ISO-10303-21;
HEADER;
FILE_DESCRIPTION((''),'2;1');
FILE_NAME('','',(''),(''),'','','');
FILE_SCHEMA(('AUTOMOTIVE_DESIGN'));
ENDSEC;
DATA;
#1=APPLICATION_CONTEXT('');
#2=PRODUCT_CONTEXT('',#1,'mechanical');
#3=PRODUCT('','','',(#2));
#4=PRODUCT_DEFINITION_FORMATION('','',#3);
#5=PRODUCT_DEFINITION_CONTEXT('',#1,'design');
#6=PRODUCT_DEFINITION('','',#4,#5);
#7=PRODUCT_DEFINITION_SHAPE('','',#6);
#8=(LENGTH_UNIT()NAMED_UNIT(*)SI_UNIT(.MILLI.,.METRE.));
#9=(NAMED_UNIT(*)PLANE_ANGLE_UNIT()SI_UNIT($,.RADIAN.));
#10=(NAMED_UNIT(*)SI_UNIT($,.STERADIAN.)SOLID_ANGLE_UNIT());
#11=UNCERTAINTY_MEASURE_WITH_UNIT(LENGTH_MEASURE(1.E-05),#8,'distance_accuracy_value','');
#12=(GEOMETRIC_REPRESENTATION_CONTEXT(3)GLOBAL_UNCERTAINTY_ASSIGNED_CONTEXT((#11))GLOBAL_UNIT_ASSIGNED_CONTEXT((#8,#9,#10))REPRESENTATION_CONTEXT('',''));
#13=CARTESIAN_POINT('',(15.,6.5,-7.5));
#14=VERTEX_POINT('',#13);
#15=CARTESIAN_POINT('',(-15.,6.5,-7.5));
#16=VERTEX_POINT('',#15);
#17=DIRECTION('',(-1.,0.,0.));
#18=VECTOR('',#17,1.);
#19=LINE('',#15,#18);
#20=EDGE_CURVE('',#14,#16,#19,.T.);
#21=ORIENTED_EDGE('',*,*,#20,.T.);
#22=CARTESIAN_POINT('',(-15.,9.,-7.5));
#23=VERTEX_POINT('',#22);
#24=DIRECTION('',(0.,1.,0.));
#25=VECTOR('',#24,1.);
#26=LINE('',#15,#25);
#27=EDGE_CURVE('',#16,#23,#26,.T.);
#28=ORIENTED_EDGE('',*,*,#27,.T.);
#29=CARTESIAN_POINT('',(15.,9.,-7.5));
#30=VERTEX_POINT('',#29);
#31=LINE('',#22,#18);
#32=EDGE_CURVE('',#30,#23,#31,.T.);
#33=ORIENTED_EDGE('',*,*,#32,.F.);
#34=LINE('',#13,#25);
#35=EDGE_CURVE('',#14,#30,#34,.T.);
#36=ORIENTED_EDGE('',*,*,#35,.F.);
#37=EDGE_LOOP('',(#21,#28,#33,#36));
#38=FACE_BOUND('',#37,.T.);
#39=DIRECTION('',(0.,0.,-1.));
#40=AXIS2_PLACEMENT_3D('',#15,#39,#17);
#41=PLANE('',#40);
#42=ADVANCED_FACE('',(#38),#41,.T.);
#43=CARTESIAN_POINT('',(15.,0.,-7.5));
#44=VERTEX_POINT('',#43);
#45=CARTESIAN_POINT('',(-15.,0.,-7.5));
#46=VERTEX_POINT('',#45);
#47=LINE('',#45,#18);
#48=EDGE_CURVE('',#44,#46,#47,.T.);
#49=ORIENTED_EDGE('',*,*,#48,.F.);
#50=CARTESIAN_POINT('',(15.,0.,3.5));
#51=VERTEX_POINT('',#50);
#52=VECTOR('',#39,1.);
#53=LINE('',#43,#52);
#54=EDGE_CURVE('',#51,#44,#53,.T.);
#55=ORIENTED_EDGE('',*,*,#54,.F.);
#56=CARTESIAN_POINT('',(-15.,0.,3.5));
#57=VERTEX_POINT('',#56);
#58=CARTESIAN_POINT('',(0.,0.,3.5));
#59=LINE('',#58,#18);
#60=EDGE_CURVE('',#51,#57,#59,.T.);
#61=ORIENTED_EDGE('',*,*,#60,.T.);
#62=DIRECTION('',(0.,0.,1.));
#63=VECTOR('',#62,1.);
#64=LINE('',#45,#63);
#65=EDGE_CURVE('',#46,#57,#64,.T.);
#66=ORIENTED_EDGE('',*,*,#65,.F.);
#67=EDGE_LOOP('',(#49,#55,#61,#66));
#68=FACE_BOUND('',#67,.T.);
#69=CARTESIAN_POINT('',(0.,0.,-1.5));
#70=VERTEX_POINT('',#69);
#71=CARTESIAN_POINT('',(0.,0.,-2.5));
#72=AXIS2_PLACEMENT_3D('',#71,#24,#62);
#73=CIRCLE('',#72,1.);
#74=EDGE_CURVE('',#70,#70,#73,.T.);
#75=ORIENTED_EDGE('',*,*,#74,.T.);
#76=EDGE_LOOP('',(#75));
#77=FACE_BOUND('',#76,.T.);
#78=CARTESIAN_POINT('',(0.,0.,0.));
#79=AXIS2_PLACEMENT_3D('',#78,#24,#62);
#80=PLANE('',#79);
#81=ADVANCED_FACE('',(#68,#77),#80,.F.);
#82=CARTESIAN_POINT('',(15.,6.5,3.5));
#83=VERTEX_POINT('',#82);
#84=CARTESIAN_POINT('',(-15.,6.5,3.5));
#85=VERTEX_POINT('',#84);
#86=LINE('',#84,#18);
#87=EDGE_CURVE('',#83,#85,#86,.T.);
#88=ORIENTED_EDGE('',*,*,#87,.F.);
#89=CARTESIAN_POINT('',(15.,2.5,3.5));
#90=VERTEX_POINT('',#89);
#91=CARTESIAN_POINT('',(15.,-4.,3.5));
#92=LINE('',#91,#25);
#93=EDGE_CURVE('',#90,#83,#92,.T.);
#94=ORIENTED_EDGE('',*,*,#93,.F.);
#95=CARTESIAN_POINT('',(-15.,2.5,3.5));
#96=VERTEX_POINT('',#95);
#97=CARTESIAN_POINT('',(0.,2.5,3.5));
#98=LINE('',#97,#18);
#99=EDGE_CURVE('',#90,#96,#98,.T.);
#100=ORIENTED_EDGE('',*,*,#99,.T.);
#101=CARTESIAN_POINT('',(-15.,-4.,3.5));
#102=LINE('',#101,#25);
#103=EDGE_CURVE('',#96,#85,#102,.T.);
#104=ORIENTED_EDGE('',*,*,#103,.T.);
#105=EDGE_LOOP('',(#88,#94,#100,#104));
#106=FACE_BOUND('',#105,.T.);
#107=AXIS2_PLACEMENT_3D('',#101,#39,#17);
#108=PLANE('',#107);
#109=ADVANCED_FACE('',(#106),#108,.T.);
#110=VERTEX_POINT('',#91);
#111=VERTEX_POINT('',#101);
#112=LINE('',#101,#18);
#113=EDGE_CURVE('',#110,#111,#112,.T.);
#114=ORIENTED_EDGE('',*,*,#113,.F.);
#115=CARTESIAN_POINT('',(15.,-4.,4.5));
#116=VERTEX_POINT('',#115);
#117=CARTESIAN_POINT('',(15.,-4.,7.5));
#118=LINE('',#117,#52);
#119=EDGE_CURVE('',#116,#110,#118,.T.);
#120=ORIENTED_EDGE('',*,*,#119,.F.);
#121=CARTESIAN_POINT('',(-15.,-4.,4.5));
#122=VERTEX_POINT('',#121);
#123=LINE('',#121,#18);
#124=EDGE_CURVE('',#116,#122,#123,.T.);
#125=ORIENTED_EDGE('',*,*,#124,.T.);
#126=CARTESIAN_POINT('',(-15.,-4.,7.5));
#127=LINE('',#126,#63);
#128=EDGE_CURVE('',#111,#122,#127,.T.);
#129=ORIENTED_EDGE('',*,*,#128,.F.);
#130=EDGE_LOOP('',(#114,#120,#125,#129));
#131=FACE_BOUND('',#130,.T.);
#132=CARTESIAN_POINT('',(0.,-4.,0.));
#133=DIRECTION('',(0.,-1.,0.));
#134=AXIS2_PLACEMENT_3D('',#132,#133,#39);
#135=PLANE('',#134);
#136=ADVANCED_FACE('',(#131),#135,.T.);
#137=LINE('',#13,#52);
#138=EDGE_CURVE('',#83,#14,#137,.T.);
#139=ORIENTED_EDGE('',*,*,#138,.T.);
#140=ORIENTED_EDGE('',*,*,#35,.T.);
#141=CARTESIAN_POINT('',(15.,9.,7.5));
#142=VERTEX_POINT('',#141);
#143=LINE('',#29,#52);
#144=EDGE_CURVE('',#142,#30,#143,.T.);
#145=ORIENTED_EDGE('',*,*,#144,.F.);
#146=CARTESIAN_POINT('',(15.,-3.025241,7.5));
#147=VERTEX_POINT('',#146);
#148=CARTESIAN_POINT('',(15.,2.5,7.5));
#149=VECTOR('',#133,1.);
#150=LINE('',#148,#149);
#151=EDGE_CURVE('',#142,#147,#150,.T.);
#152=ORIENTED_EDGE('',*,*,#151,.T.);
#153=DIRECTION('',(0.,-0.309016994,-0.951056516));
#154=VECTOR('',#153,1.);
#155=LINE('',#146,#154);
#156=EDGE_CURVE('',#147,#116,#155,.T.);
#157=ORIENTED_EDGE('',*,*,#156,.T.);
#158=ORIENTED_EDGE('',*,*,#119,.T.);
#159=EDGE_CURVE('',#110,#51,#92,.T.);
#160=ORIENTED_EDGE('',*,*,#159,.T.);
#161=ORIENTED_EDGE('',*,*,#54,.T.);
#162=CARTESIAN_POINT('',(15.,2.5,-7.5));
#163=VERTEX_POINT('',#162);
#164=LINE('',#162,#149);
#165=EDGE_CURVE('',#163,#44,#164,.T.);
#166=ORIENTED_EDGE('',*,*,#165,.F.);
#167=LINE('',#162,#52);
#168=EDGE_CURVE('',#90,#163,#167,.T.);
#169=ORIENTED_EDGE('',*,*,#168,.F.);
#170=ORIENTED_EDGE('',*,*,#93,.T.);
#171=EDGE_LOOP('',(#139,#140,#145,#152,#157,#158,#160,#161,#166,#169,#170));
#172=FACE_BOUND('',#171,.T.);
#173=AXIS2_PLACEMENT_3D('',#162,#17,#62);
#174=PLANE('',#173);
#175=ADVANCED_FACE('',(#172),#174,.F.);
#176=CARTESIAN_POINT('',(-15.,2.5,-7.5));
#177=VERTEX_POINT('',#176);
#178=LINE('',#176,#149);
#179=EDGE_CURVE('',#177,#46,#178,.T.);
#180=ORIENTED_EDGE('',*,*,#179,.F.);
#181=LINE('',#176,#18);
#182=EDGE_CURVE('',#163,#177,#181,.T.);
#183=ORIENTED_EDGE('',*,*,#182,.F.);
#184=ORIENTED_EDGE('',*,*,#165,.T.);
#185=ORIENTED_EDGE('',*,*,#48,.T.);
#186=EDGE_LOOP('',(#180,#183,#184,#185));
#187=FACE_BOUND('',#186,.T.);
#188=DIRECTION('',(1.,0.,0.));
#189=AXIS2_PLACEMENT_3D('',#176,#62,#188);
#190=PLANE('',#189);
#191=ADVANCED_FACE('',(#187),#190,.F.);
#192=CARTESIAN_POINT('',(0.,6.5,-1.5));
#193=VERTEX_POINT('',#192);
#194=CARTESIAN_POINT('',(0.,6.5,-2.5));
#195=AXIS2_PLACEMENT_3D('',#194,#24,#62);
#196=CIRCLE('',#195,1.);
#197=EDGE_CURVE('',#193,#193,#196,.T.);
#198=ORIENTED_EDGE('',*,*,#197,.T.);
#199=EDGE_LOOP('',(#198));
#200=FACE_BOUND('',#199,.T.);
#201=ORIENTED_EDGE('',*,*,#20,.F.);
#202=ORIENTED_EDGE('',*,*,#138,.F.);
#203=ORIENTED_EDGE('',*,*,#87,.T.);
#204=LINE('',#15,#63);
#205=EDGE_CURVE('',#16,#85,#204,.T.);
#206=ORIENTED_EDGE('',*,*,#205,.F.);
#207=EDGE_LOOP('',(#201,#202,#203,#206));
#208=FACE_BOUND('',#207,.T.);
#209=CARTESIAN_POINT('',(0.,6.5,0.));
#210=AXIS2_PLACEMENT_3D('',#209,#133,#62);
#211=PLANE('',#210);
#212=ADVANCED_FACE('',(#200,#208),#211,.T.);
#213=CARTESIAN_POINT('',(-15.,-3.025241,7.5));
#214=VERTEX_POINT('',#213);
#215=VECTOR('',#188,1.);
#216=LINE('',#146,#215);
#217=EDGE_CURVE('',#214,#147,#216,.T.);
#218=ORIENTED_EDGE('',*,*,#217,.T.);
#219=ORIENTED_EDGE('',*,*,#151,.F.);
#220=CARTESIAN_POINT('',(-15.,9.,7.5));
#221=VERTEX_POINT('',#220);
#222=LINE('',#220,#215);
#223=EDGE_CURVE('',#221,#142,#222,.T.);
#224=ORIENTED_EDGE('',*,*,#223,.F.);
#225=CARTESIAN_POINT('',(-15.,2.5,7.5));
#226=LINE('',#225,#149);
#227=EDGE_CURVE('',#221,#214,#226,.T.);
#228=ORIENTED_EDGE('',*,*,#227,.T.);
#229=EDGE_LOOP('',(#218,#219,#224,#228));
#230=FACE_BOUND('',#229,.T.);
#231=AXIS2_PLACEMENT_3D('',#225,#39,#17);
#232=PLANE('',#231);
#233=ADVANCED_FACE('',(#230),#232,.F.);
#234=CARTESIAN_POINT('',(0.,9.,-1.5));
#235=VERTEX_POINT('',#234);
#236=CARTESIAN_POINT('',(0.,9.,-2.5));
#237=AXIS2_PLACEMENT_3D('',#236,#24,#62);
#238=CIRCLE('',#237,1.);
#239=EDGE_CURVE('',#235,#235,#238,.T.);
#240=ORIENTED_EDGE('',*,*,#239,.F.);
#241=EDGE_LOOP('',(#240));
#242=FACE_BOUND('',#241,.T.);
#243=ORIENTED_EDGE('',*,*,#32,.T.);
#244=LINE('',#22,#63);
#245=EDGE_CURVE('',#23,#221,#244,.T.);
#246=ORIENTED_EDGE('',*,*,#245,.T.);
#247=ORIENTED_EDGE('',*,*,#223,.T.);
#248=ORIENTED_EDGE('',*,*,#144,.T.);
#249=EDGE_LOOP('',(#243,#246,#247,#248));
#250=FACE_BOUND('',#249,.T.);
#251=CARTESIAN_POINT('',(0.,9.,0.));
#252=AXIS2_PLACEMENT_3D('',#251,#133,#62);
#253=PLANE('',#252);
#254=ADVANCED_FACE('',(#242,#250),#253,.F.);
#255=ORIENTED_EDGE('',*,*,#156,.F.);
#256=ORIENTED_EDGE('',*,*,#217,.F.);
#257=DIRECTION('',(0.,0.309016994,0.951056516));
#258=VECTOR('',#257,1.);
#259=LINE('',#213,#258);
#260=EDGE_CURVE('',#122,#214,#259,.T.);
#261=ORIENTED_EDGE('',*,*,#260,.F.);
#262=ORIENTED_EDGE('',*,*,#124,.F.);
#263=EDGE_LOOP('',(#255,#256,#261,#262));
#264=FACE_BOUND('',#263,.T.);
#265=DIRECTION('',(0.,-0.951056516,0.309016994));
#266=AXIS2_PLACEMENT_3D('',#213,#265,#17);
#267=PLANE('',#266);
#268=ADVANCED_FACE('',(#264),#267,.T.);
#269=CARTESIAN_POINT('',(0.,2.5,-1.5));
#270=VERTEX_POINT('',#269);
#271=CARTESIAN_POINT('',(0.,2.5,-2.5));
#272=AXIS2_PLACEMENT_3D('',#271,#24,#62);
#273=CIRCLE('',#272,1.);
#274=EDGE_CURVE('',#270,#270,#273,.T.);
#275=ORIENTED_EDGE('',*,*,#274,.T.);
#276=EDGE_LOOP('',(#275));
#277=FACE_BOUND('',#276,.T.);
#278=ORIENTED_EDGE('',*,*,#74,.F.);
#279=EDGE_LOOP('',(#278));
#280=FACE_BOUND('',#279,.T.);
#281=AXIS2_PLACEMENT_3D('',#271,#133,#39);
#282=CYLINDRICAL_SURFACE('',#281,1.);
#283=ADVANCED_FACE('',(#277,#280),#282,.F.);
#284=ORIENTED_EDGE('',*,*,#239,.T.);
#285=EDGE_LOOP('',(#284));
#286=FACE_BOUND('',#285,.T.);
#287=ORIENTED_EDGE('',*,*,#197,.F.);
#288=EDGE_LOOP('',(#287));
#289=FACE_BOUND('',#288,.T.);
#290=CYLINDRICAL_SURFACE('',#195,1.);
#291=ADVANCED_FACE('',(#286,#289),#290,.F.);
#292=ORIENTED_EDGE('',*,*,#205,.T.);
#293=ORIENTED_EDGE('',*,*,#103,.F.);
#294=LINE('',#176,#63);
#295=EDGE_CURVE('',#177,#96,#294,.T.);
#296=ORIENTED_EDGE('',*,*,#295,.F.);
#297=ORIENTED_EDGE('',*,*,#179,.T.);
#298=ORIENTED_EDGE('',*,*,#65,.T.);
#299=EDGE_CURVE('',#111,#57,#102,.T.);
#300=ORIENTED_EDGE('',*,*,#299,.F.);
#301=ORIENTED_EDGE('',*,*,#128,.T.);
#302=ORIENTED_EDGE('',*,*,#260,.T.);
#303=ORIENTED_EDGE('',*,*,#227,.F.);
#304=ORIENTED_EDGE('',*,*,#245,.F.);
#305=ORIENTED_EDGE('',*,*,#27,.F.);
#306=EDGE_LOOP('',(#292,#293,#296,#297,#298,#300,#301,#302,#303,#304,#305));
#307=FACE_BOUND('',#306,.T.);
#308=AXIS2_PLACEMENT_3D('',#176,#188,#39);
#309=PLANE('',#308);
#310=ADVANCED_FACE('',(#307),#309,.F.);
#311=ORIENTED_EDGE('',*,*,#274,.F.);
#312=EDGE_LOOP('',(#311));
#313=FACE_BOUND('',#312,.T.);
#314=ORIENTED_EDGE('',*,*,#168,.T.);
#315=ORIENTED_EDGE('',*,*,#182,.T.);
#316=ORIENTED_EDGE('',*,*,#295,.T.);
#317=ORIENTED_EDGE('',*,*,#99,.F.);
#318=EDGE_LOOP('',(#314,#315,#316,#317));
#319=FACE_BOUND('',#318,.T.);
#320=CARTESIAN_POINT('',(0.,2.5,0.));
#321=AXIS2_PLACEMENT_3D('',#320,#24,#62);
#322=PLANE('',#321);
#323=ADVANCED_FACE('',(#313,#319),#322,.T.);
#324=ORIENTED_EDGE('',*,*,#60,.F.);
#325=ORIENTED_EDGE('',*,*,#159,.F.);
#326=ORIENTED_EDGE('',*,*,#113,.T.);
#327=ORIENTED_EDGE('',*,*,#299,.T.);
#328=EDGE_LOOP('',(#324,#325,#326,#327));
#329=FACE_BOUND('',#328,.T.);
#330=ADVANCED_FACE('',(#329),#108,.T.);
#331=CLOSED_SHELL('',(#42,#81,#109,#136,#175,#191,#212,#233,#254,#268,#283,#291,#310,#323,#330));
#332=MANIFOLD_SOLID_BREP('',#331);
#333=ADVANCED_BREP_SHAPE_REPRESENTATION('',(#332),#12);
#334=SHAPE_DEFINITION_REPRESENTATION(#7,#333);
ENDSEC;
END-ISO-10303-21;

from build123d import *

# Parameters (mm, degrees)
SZKIC2_W                         = 30
SZKIC2_H                         = 15
SZKIC2_R                         = 1
DODANIE_WYCI_GNI_CIE1_DEPTH      = 2.5
DODANIE_WYCI_GNI_CIE2_DEPTH      = 4
DODANIE_WYCI_GNI_CIE2_DEPTH_BACK = 6.5
SZKIC4_W                         = 30
SZKIC4_H                         = 4
SFAZOWANIE1_SIZE                 = 3
SFAZOWANIE1_SIZE2                = 0.974759089


with BuildPart() as part:
    # Szkic2 → Dodanie-wyciągnięcie1 (new body)
    with BuildSketch(Plane(origin=(0, 0, 0), x_dir=(1, 0, 0), z_dir=(0, 1, 0))):
        Rectangle(SZKIC2_W, SZKIC2_H)
        with Locations(Location((0, 2.5, 0), (0, 0, 270))):
            Circle(SZKIC2_R, mode=Mode.SUBTRACT)
    dodanie_wyci_gni_cie1 = extrude(amount=DODANIE_WYCI_GNI_CIE1_DEPTH)

    # Szkic4 → Dodanie-wyciągnięcie2 (add, two sides: drawn at the far end of the back side and taken through both)
    with BuildSketch(Plane(origin=(0, 2.5, 0), x_dir=(1, 0, 0), z_dir=(0, 1, 0)).offset(-DODANIE_WYCI_GNI_CIE2_DEPTH_BACK)):
        with Locations((0, -5.5)):
            Rectangle(SZKIC4_W, SZKIC4_H)
    extrude(amount=DODANIE_WYCI_GNI_CIE2_DEPTH + DODANIE_WYCI_GNI_CIE2_DEPTH_BACK)

    # Lustro3: Dodanie-wyciągnięcie1 across plane
    add(dodanie_wyci_gni_cie1.mirror(Plane.ZX.offset(4.5)))

    # Sfazowanie1
    sfazowanie1_edges = [part.edges().sort_by_distance(p)[0] for p in [
        (0, -4, 7.5),
    ]]
    sfazowanie1_side = [part.faces().sort_by_distance(p)[0] for p in [
        (0, -4, 5.5),
    ]]
    chamfer(sfazowanie1_edges, length=SFAZOWANIE1_SIZE, length2=SFAZOWANIE1_SIZE2, reference=sfazowanie1_side[0])


solid = part.part
